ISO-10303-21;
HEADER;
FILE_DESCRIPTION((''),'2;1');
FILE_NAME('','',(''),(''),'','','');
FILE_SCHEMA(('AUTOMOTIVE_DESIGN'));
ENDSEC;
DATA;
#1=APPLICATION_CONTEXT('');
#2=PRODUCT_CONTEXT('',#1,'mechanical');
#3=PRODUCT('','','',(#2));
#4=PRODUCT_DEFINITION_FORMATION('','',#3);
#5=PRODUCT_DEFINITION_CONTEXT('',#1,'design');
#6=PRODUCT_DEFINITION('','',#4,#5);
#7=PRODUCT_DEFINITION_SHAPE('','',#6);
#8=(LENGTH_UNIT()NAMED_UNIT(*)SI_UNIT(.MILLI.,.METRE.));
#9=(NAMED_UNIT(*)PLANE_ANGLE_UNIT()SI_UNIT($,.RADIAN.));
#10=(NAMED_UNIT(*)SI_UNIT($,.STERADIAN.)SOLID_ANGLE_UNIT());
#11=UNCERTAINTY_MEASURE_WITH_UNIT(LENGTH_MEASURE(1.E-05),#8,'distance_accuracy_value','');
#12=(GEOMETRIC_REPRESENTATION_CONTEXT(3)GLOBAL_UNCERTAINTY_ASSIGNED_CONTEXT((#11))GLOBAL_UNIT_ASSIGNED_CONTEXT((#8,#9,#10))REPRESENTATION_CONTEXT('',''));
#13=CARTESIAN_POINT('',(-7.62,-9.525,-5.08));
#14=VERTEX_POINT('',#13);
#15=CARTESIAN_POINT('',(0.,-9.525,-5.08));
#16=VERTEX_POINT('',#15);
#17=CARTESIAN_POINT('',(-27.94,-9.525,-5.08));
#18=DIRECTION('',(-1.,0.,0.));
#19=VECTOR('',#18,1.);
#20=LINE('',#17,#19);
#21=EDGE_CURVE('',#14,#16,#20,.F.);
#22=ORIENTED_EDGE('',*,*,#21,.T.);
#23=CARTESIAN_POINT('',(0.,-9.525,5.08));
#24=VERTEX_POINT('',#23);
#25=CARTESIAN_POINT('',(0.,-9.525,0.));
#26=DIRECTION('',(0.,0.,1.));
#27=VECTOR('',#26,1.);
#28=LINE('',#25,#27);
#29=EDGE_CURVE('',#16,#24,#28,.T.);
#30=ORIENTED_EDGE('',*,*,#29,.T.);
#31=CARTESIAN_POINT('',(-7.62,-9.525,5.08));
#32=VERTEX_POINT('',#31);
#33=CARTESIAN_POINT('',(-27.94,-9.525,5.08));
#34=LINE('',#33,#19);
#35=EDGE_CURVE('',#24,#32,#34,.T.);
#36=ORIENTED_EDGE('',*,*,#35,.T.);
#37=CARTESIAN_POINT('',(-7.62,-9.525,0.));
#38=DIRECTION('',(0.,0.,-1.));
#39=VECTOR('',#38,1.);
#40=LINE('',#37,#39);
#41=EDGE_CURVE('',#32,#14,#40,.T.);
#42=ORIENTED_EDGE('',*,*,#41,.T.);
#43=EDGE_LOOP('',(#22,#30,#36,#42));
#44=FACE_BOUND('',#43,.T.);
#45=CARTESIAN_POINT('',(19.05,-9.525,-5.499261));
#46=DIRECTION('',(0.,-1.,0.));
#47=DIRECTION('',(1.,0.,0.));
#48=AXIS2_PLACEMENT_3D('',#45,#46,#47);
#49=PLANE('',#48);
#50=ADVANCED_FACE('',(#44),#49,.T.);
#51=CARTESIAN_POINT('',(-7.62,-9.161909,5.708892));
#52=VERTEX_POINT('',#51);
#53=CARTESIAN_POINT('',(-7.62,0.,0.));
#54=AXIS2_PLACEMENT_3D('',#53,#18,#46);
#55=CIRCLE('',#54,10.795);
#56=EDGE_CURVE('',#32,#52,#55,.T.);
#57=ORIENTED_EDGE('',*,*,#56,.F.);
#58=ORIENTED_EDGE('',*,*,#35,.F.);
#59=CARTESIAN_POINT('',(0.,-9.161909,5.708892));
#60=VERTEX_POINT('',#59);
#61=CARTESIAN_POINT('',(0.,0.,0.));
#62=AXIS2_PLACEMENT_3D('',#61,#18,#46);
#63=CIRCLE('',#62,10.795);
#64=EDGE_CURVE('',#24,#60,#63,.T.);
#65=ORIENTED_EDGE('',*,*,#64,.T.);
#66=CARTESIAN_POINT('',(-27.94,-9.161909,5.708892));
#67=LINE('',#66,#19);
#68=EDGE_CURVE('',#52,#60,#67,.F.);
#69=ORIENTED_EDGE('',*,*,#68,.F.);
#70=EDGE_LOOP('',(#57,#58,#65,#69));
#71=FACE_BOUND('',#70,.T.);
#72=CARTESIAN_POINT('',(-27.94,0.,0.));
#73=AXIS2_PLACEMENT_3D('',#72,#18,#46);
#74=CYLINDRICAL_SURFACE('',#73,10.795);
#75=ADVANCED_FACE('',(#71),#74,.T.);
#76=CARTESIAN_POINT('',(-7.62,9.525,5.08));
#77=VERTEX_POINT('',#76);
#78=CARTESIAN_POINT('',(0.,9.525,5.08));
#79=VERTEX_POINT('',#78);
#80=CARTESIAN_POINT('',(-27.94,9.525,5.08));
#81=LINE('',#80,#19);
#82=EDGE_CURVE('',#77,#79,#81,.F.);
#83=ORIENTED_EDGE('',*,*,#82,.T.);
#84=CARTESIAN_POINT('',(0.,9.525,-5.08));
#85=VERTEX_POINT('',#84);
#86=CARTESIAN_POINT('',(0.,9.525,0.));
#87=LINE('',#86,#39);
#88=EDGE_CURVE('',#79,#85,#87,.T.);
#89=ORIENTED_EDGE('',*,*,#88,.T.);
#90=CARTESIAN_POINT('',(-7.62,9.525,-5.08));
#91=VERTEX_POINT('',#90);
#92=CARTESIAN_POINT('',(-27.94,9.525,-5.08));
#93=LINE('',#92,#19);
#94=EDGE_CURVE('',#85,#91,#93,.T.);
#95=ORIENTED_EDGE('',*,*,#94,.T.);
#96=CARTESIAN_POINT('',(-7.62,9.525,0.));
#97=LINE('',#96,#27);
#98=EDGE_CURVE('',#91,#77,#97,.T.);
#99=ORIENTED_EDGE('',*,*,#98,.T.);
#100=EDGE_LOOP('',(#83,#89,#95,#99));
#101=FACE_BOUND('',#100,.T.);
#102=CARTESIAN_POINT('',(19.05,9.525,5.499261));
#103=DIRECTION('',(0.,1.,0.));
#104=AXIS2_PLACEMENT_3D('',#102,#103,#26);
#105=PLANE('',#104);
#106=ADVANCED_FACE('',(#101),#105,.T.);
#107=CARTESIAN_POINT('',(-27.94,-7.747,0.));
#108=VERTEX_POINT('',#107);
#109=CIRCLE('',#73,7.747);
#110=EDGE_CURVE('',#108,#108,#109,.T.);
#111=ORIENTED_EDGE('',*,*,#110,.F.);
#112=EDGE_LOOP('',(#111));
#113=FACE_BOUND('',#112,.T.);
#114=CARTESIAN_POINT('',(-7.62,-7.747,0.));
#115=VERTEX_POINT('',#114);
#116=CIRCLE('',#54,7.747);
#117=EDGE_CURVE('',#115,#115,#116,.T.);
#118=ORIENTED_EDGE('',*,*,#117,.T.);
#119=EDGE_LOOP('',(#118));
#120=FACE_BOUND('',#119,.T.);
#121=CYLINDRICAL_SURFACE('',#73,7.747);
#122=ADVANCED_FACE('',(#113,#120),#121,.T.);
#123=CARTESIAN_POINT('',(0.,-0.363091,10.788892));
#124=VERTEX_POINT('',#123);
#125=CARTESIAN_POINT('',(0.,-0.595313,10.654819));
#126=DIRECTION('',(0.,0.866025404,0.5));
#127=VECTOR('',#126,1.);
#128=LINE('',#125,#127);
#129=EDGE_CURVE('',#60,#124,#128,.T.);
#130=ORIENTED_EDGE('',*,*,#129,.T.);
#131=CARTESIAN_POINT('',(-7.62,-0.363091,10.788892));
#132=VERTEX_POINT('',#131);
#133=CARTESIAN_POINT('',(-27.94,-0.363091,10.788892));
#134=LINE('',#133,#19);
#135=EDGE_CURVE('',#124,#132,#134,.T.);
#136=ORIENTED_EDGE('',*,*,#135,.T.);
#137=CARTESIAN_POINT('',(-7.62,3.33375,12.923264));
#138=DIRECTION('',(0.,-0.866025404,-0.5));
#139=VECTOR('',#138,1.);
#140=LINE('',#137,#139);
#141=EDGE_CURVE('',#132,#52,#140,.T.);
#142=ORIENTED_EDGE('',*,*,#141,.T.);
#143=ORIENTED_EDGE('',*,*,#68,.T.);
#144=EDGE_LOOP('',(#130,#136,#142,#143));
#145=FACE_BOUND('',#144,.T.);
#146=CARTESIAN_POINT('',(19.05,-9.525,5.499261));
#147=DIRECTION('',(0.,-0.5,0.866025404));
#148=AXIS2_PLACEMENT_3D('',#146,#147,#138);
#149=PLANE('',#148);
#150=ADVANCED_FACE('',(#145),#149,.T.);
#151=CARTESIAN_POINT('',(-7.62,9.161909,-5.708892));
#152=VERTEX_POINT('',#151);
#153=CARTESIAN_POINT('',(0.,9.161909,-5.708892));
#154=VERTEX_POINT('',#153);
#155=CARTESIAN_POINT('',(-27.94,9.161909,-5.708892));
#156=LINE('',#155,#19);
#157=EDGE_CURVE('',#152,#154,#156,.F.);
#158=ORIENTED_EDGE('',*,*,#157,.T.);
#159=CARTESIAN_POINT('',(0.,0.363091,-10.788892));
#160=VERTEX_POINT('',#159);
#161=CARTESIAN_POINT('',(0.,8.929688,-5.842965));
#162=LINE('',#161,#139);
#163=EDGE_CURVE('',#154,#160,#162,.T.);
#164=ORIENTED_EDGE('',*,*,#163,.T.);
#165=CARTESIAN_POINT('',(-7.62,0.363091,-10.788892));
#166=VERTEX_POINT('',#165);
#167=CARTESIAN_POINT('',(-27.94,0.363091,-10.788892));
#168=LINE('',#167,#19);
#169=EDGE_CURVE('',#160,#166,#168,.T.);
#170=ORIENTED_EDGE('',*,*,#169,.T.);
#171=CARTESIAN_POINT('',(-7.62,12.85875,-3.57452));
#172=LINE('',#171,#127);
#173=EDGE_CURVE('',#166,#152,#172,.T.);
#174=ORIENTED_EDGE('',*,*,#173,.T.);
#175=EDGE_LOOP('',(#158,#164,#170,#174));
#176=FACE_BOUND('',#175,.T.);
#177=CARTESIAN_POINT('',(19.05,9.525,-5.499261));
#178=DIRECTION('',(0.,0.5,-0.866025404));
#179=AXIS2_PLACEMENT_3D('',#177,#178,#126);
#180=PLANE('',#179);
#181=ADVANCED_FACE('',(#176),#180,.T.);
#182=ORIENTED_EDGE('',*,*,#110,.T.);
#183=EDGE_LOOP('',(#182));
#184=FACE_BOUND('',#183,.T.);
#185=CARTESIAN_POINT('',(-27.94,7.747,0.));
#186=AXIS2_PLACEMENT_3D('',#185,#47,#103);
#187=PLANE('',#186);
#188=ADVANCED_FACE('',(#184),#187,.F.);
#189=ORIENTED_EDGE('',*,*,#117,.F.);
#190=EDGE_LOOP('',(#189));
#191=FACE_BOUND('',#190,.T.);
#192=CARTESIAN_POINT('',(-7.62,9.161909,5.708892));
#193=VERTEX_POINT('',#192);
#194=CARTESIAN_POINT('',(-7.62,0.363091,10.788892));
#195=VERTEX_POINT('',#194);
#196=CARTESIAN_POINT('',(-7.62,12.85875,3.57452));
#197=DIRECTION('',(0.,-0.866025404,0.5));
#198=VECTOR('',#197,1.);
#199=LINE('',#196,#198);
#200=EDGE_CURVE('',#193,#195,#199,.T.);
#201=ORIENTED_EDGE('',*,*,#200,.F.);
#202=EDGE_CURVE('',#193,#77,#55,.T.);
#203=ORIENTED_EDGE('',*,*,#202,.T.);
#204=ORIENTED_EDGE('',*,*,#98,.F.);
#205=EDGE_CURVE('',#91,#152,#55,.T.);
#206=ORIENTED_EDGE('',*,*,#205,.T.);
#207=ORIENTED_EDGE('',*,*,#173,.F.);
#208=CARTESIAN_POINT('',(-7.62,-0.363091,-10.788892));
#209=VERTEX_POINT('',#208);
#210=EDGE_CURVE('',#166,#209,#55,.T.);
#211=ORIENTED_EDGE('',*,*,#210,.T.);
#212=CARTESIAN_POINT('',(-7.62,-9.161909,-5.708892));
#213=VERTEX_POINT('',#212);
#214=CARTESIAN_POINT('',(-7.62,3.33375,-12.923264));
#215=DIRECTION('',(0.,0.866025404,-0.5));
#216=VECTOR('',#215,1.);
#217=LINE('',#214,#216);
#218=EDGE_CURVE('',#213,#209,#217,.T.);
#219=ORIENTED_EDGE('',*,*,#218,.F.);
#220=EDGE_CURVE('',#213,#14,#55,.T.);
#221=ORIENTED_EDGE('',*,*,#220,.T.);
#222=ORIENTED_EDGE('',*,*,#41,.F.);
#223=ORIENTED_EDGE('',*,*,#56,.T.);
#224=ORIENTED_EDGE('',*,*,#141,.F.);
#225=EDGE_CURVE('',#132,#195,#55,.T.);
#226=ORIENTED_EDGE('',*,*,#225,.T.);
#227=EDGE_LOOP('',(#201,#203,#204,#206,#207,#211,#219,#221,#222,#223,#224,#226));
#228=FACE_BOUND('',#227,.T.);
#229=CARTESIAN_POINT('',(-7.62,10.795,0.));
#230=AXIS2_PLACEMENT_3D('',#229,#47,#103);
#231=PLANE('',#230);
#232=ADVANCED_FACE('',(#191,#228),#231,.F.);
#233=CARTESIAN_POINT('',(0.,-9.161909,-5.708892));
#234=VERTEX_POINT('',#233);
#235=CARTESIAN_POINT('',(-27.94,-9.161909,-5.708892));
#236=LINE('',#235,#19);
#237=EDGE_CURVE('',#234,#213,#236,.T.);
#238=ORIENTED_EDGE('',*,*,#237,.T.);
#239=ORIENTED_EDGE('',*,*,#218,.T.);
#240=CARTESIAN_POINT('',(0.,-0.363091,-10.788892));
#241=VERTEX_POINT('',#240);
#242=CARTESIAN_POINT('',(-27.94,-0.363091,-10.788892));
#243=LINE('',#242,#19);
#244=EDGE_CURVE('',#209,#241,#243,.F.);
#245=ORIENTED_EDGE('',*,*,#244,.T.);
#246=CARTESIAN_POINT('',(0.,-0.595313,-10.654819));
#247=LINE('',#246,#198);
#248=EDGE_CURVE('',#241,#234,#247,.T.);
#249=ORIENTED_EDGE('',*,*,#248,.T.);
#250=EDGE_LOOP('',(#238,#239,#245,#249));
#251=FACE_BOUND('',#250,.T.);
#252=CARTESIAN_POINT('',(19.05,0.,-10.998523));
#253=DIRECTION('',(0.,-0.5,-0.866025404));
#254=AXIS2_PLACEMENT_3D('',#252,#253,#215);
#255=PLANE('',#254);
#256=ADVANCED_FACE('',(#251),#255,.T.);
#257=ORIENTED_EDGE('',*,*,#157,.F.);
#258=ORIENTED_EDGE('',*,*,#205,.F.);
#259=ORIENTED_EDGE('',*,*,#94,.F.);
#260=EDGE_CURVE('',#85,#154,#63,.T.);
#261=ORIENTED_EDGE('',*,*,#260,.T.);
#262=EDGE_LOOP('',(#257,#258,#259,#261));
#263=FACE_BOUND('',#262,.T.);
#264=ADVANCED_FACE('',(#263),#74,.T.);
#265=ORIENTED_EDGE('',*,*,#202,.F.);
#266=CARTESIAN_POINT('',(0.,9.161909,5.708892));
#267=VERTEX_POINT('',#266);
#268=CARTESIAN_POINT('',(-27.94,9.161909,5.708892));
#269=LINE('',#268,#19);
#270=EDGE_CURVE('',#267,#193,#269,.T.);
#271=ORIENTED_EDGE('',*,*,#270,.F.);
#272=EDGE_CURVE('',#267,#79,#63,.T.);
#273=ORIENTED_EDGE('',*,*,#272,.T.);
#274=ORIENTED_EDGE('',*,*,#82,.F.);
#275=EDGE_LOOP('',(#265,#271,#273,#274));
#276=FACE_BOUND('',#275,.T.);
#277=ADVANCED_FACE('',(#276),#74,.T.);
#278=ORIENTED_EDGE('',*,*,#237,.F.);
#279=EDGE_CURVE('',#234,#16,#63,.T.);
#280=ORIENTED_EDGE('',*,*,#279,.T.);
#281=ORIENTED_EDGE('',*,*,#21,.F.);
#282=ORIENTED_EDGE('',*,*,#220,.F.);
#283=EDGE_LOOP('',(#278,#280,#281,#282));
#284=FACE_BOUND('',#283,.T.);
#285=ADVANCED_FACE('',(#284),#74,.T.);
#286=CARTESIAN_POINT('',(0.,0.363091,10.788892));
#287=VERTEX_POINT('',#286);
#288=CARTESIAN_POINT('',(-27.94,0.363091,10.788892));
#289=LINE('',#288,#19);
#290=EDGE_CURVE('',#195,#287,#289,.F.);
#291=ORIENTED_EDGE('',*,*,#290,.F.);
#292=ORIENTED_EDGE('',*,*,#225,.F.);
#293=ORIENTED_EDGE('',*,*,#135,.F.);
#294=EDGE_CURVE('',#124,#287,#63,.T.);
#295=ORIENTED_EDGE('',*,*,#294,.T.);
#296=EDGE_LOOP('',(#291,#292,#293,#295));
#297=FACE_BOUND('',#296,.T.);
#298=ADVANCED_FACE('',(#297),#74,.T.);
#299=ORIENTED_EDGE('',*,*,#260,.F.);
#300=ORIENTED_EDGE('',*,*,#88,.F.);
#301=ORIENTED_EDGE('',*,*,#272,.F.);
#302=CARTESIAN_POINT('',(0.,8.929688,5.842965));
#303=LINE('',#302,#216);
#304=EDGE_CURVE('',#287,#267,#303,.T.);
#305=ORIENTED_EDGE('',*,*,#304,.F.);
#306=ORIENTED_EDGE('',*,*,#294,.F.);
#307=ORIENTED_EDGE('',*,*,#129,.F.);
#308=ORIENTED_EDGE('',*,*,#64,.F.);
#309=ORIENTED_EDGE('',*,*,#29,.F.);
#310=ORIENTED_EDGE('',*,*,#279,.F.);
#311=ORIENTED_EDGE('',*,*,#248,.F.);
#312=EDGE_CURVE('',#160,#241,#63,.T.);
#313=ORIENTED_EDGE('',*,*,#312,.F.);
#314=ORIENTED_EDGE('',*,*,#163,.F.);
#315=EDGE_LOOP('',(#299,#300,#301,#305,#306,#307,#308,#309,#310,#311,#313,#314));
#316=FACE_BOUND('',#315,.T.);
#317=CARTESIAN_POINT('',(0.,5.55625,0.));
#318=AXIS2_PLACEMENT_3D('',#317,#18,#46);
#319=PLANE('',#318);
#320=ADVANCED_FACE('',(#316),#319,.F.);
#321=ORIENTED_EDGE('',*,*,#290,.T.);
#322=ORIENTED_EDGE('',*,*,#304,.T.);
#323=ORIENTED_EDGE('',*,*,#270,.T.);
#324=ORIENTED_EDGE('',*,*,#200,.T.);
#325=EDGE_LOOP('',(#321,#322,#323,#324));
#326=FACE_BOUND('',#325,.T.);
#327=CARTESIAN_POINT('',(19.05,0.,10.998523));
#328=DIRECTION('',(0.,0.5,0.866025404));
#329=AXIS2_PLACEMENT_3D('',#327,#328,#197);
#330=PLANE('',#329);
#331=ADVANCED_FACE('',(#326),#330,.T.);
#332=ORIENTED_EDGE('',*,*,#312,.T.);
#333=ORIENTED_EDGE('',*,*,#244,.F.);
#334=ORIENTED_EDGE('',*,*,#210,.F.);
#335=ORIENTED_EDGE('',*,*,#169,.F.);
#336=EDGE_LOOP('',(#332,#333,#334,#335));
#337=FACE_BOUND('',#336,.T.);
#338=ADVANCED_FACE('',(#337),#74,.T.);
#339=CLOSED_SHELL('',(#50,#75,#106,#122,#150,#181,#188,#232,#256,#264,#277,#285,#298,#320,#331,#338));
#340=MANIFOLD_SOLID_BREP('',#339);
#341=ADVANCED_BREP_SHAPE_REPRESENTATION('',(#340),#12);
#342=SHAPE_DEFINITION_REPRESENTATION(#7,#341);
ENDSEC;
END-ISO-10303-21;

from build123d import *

# Parameters (mm, degrees)
SKETCH2_OUTSIDE_W       = 34.798
SKETCH2_OUTSIDE_H       = 34.798
CUT_EXTRUDE1_DEPTH      = 21.32
CUT_EXTRUDE1_DEPTH_BACK = 27.67
SKETCH3_R               = 5.55625
CUT_EXTRUDE2_DEPTH      = 20.05


with BuildPart() as part:
    # Sketch1 → Revolve1 (revolve)
    with BuildSketch(Plane.XY):
        Polygon((0, 10.795), (-7.62, 10.795), (-7.62, 7.747), (-27.94, 7.747), (-27.94, 0), (19.05, 0), (19.05, 5.55625), (0, 5.55625), align=None)
    revolve(axis=Axis((-27.94, 0, 0), (1, 0, 0)))

    # Sketch2 outside → Cut-Extrude1 (cut, two sides)
    with BuildSketch(Plane.ZY.offset(7.62)) as cut_extrude1_sk:
        Rectangle(SKETCH2_OUTSIDE_W, SKETCH2_OUTSIDE_H)
        Polygon((-5.499261314, 9.525), (-10.998522628, 0), (-5.499261314, -9.525), (5.499261314, -9.525), (10.998522628, 0), (5.499261314, 9.525), align=None, mode=Mode.SUBTRACT)
    extrude(amount=CUT_EXTRUDE1_DEPTH, mode=Mode.SUBTRACT)
    extrude(cut_extrude1_sk.sketch, amount=-CUT_EXTRUDE1_DEPTH_BACK, mode=Mode.SUBTRACT)

    # Sketch3 → Cut-Extrude2 (cut, through all)
    with BuildSketch(Plane(origin=(0, 0, 0), x_dir=(0, 0, -1), z_dir=(1, 0, 0))):
        Circle(SKETCH3_R)
    extrude(amount=CUT_EXTRUDE2_DEPTH, mode=Mode.SUBTRACT)


solid = part.part
